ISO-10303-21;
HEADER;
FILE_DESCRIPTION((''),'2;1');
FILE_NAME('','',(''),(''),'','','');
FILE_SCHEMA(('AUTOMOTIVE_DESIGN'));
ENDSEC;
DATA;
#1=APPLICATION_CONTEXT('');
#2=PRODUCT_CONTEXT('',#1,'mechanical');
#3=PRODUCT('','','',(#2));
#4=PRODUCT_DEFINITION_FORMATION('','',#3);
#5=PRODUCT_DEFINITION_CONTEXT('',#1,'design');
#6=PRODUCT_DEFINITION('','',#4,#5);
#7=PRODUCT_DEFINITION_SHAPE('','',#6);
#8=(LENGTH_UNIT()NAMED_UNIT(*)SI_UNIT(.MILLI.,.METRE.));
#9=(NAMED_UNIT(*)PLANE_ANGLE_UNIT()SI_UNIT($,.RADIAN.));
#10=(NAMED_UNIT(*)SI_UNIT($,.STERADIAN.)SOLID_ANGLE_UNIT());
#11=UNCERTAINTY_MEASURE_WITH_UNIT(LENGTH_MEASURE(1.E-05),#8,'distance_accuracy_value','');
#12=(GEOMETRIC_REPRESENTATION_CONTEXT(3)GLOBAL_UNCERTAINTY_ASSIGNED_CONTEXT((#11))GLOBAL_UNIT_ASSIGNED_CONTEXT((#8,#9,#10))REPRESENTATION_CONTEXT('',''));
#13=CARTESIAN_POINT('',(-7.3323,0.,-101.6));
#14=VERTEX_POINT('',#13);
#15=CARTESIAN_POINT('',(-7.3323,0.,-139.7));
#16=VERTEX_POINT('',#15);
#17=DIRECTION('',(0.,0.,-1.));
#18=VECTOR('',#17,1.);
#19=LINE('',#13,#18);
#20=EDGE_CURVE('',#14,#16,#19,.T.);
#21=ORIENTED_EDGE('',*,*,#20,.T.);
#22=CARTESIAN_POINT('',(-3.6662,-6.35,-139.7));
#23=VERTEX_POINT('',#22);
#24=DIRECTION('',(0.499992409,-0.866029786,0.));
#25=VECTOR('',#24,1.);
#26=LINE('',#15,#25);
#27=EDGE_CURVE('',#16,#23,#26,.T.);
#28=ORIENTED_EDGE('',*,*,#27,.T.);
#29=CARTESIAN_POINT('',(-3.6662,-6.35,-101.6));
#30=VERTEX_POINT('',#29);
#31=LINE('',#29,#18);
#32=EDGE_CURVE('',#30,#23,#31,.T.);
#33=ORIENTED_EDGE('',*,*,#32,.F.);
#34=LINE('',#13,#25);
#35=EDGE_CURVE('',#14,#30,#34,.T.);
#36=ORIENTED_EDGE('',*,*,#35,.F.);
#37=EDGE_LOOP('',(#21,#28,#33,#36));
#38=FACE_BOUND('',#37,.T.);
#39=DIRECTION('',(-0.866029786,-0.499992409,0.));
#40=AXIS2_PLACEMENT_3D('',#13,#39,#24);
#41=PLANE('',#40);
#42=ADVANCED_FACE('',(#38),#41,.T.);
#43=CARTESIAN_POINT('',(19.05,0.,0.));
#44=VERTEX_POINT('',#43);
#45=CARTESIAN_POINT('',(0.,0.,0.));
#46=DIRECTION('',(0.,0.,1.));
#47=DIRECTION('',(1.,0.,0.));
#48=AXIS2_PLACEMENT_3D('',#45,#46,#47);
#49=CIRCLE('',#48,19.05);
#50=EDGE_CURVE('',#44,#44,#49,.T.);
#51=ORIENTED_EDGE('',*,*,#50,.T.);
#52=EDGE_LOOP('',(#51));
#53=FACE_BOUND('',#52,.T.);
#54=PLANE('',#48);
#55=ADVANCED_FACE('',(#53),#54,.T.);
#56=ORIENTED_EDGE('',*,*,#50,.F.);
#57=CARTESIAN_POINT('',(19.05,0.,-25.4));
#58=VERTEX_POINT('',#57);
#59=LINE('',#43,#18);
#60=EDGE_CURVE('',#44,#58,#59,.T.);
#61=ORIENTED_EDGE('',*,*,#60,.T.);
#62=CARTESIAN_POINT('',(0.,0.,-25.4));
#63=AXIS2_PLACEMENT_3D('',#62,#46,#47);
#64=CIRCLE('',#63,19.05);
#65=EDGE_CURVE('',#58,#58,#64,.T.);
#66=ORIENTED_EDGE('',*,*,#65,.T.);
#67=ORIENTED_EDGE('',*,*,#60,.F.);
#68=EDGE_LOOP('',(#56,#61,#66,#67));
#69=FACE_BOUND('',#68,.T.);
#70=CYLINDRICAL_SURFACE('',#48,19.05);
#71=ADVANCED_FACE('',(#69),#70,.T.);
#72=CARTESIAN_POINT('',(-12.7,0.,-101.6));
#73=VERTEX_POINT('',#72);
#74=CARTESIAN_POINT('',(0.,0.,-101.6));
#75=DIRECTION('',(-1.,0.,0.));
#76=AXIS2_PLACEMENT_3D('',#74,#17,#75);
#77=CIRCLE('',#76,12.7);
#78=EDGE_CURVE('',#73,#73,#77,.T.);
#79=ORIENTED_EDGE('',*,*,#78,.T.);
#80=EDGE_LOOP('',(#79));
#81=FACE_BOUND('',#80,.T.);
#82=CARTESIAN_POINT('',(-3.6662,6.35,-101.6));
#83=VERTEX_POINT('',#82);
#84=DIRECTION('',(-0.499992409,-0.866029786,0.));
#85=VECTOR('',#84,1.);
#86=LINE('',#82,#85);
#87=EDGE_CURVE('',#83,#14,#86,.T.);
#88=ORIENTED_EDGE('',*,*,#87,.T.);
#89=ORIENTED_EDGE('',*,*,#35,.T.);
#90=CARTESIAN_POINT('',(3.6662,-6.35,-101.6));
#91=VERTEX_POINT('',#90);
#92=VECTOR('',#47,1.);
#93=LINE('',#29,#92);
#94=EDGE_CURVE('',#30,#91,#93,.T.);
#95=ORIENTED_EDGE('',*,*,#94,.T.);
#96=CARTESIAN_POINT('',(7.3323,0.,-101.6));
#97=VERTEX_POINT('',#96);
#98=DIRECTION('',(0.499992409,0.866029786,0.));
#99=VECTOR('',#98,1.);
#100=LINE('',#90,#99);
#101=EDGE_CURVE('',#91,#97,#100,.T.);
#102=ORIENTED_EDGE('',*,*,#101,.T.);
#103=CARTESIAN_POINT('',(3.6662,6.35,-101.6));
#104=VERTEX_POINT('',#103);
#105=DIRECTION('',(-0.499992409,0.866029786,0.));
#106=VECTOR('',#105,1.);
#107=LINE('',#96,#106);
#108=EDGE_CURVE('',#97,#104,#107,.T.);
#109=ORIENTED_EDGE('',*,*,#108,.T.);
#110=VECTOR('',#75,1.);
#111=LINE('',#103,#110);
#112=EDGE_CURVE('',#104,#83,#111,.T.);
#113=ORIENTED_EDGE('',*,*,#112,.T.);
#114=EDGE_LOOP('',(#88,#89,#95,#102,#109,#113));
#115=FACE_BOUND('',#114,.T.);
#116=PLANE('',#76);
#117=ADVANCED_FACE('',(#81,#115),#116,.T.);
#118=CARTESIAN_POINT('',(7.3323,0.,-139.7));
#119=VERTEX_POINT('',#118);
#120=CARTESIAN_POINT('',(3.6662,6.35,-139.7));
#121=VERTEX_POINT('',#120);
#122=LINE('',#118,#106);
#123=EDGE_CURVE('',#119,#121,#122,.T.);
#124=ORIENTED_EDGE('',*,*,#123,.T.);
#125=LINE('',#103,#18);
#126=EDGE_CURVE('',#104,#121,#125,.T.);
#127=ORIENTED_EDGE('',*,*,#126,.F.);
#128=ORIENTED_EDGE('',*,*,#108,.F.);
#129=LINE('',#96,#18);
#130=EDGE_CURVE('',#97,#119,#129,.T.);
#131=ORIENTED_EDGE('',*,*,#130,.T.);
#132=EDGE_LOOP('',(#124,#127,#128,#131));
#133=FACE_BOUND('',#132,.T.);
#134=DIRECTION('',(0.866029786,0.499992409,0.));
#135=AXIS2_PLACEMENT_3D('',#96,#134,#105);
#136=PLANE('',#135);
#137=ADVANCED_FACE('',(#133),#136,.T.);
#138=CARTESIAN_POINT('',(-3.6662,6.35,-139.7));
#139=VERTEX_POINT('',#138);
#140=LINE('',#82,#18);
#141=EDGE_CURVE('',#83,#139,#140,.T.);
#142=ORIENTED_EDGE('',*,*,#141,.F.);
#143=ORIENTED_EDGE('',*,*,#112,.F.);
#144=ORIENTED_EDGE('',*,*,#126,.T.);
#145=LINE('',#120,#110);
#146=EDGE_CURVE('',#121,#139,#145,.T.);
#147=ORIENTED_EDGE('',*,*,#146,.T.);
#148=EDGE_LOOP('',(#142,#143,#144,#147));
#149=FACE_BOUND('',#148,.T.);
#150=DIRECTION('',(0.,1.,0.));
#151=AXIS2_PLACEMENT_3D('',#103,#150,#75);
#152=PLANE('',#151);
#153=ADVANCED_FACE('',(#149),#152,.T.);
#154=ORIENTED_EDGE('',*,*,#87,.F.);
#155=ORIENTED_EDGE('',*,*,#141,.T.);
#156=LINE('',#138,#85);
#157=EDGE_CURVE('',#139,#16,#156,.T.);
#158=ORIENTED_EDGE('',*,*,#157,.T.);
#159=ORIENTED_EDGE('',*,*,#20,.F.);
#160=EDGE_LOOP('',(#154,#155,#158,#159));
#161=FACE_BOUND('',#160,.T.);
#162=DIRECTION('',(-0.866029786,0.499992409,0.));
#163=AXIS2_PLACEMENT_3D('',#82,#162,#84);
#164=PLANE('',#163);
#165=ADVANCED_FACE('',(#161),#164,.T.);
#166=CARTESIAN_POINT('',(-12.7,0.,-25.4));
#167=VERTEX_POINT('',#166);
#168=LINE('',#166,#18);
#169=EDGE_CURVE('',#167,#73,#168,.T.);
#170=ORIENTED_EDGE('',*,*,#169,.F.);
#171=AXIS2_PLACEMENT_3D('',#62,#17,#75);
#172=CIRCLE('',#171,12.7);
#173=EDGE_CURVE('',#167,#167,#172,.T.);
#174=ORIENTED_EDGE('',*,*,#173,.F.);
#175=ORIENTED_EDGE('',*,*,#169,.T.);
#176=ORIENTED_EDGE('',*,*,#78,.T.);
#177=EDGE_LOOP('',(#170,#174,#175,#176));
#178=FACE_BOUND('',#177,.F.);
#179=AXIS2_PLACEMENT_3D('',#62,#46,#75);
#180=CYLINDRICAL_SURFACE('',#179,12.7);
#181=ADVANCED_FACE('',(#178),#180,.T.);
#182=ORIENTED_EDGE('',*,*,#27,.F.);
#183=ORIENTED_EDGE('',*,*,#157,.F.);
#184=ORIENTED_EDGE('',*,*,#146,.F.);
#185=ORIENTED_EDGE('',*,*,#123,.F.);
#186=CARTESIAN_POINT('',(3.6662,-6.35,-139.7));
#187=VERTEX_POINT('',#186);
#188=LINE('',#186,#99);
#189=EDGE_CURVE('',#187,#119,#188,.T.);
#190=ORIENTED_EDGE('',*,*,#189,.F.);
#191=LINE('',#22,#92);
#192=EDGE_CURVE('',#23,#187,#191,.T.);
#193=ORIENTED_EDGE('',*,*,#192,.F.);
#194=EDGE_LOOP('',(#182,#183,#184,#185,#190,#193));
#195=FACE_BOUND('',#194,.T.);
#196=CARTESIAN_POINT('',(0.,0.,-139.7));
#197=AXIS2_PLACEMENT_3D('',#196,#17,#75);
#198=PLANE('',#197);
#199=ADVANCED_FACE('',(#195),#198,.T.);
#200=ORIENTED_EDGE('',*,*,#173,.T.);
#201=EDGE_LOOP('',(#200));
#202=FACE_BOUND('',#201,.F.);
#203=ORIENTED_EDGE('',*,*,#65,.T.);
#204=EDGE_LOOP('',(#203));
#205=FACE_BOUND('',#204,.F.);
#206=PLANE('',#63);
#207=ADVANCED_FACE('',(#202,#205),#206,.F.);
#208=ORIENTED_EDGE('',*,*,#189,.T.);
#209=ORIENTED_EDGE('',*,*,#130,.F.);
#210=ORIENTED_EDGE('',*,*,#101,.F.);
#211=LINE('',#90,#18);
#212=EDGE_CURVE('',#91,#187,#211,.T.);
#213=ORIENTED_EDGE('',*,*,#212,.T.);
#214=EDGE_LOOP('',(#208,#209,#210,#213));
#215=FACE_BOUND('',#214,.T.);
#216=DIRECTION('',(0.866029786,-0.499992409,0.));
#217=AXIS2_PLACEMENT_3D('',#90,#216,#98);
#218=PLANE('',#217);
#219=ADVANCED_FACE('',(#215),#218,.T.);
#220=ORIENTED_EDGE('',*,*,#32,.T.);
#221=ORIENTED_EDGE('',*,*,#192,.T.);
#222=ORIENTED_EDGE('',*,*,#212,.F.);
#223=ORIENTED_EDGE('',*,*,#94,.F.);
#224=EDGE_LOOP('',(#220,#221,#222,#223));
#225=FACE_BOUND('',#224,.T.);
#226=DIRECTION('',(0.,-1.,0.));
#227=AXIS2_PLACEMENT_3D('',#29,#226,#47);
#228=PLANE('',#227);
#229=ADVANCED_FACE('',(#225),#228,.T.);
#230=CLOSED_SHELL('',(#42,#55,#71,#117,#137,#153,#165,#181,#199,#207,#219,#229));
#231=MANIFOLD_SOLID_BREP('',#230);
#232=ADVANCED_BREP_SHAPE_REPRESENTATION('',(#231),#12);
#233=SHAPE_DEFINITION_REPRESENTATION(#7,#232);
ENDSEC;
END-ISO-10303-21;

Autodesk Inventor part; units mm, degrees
ref_plane "YZ Plane" through (0, 0, 0) normal (1, 0, 0) x (0, 1, 0)
ref_plane "XZ Plane" through (0, 0, 0) normal (0, 1, 0) x (-1, 0, 0)
ref_plane "XY Plane" through (0, 0, 0) normal (0, 0, 1) x (1, 0, 0)
sketch "Sketch1" plane through (0, 0, 0) normal (0, 0, 1) x (1, 0, 0)
  circle A0 centre (0, 0) radius 19.05
  dimension "d0" = 38.1
extrude "Extrusion1" add sketch "Sketch1" against normal blind 25.4
sketch "Sketch3" plane through (0, 0, -25.4) normal (0, 0, -1) x (-1, 0, 0)
  circle A0 centre (0, 0) radius 12.7
  dimension "d4" = 25.4
extrude "Extrusion2" add sketch "Sketch3" along normal blind 76.2
sketch "Sketch4" plane through (0, 0, -101.6) normal (0, 0, -1) x (-1, 0, 0)
  line L0 (-3.6662, -6.35) -> (-7.3323, 0)
  line L1 (-7.3323, 0) -> (-3.6662, 6.35)
  line L2 (-3.6662, 6.35) -> (3.6662, 6.35)
  line L3 (3.6662, 6.35) -> (7.3323, 0)
  line L4 (7.3323, 0) -> (3.6662, -6.35)
  line L5 (3.6662, -6.35) -> (-3.6662, -6.35)
  point P0 (0, 0)
  point P1 (0, 0)
  dimension "d7" = 12.7
extrude "Extrusion3" add sketch "Sketch4" along normal blind 38.1
properties part number "ForTurningForkDrive"
